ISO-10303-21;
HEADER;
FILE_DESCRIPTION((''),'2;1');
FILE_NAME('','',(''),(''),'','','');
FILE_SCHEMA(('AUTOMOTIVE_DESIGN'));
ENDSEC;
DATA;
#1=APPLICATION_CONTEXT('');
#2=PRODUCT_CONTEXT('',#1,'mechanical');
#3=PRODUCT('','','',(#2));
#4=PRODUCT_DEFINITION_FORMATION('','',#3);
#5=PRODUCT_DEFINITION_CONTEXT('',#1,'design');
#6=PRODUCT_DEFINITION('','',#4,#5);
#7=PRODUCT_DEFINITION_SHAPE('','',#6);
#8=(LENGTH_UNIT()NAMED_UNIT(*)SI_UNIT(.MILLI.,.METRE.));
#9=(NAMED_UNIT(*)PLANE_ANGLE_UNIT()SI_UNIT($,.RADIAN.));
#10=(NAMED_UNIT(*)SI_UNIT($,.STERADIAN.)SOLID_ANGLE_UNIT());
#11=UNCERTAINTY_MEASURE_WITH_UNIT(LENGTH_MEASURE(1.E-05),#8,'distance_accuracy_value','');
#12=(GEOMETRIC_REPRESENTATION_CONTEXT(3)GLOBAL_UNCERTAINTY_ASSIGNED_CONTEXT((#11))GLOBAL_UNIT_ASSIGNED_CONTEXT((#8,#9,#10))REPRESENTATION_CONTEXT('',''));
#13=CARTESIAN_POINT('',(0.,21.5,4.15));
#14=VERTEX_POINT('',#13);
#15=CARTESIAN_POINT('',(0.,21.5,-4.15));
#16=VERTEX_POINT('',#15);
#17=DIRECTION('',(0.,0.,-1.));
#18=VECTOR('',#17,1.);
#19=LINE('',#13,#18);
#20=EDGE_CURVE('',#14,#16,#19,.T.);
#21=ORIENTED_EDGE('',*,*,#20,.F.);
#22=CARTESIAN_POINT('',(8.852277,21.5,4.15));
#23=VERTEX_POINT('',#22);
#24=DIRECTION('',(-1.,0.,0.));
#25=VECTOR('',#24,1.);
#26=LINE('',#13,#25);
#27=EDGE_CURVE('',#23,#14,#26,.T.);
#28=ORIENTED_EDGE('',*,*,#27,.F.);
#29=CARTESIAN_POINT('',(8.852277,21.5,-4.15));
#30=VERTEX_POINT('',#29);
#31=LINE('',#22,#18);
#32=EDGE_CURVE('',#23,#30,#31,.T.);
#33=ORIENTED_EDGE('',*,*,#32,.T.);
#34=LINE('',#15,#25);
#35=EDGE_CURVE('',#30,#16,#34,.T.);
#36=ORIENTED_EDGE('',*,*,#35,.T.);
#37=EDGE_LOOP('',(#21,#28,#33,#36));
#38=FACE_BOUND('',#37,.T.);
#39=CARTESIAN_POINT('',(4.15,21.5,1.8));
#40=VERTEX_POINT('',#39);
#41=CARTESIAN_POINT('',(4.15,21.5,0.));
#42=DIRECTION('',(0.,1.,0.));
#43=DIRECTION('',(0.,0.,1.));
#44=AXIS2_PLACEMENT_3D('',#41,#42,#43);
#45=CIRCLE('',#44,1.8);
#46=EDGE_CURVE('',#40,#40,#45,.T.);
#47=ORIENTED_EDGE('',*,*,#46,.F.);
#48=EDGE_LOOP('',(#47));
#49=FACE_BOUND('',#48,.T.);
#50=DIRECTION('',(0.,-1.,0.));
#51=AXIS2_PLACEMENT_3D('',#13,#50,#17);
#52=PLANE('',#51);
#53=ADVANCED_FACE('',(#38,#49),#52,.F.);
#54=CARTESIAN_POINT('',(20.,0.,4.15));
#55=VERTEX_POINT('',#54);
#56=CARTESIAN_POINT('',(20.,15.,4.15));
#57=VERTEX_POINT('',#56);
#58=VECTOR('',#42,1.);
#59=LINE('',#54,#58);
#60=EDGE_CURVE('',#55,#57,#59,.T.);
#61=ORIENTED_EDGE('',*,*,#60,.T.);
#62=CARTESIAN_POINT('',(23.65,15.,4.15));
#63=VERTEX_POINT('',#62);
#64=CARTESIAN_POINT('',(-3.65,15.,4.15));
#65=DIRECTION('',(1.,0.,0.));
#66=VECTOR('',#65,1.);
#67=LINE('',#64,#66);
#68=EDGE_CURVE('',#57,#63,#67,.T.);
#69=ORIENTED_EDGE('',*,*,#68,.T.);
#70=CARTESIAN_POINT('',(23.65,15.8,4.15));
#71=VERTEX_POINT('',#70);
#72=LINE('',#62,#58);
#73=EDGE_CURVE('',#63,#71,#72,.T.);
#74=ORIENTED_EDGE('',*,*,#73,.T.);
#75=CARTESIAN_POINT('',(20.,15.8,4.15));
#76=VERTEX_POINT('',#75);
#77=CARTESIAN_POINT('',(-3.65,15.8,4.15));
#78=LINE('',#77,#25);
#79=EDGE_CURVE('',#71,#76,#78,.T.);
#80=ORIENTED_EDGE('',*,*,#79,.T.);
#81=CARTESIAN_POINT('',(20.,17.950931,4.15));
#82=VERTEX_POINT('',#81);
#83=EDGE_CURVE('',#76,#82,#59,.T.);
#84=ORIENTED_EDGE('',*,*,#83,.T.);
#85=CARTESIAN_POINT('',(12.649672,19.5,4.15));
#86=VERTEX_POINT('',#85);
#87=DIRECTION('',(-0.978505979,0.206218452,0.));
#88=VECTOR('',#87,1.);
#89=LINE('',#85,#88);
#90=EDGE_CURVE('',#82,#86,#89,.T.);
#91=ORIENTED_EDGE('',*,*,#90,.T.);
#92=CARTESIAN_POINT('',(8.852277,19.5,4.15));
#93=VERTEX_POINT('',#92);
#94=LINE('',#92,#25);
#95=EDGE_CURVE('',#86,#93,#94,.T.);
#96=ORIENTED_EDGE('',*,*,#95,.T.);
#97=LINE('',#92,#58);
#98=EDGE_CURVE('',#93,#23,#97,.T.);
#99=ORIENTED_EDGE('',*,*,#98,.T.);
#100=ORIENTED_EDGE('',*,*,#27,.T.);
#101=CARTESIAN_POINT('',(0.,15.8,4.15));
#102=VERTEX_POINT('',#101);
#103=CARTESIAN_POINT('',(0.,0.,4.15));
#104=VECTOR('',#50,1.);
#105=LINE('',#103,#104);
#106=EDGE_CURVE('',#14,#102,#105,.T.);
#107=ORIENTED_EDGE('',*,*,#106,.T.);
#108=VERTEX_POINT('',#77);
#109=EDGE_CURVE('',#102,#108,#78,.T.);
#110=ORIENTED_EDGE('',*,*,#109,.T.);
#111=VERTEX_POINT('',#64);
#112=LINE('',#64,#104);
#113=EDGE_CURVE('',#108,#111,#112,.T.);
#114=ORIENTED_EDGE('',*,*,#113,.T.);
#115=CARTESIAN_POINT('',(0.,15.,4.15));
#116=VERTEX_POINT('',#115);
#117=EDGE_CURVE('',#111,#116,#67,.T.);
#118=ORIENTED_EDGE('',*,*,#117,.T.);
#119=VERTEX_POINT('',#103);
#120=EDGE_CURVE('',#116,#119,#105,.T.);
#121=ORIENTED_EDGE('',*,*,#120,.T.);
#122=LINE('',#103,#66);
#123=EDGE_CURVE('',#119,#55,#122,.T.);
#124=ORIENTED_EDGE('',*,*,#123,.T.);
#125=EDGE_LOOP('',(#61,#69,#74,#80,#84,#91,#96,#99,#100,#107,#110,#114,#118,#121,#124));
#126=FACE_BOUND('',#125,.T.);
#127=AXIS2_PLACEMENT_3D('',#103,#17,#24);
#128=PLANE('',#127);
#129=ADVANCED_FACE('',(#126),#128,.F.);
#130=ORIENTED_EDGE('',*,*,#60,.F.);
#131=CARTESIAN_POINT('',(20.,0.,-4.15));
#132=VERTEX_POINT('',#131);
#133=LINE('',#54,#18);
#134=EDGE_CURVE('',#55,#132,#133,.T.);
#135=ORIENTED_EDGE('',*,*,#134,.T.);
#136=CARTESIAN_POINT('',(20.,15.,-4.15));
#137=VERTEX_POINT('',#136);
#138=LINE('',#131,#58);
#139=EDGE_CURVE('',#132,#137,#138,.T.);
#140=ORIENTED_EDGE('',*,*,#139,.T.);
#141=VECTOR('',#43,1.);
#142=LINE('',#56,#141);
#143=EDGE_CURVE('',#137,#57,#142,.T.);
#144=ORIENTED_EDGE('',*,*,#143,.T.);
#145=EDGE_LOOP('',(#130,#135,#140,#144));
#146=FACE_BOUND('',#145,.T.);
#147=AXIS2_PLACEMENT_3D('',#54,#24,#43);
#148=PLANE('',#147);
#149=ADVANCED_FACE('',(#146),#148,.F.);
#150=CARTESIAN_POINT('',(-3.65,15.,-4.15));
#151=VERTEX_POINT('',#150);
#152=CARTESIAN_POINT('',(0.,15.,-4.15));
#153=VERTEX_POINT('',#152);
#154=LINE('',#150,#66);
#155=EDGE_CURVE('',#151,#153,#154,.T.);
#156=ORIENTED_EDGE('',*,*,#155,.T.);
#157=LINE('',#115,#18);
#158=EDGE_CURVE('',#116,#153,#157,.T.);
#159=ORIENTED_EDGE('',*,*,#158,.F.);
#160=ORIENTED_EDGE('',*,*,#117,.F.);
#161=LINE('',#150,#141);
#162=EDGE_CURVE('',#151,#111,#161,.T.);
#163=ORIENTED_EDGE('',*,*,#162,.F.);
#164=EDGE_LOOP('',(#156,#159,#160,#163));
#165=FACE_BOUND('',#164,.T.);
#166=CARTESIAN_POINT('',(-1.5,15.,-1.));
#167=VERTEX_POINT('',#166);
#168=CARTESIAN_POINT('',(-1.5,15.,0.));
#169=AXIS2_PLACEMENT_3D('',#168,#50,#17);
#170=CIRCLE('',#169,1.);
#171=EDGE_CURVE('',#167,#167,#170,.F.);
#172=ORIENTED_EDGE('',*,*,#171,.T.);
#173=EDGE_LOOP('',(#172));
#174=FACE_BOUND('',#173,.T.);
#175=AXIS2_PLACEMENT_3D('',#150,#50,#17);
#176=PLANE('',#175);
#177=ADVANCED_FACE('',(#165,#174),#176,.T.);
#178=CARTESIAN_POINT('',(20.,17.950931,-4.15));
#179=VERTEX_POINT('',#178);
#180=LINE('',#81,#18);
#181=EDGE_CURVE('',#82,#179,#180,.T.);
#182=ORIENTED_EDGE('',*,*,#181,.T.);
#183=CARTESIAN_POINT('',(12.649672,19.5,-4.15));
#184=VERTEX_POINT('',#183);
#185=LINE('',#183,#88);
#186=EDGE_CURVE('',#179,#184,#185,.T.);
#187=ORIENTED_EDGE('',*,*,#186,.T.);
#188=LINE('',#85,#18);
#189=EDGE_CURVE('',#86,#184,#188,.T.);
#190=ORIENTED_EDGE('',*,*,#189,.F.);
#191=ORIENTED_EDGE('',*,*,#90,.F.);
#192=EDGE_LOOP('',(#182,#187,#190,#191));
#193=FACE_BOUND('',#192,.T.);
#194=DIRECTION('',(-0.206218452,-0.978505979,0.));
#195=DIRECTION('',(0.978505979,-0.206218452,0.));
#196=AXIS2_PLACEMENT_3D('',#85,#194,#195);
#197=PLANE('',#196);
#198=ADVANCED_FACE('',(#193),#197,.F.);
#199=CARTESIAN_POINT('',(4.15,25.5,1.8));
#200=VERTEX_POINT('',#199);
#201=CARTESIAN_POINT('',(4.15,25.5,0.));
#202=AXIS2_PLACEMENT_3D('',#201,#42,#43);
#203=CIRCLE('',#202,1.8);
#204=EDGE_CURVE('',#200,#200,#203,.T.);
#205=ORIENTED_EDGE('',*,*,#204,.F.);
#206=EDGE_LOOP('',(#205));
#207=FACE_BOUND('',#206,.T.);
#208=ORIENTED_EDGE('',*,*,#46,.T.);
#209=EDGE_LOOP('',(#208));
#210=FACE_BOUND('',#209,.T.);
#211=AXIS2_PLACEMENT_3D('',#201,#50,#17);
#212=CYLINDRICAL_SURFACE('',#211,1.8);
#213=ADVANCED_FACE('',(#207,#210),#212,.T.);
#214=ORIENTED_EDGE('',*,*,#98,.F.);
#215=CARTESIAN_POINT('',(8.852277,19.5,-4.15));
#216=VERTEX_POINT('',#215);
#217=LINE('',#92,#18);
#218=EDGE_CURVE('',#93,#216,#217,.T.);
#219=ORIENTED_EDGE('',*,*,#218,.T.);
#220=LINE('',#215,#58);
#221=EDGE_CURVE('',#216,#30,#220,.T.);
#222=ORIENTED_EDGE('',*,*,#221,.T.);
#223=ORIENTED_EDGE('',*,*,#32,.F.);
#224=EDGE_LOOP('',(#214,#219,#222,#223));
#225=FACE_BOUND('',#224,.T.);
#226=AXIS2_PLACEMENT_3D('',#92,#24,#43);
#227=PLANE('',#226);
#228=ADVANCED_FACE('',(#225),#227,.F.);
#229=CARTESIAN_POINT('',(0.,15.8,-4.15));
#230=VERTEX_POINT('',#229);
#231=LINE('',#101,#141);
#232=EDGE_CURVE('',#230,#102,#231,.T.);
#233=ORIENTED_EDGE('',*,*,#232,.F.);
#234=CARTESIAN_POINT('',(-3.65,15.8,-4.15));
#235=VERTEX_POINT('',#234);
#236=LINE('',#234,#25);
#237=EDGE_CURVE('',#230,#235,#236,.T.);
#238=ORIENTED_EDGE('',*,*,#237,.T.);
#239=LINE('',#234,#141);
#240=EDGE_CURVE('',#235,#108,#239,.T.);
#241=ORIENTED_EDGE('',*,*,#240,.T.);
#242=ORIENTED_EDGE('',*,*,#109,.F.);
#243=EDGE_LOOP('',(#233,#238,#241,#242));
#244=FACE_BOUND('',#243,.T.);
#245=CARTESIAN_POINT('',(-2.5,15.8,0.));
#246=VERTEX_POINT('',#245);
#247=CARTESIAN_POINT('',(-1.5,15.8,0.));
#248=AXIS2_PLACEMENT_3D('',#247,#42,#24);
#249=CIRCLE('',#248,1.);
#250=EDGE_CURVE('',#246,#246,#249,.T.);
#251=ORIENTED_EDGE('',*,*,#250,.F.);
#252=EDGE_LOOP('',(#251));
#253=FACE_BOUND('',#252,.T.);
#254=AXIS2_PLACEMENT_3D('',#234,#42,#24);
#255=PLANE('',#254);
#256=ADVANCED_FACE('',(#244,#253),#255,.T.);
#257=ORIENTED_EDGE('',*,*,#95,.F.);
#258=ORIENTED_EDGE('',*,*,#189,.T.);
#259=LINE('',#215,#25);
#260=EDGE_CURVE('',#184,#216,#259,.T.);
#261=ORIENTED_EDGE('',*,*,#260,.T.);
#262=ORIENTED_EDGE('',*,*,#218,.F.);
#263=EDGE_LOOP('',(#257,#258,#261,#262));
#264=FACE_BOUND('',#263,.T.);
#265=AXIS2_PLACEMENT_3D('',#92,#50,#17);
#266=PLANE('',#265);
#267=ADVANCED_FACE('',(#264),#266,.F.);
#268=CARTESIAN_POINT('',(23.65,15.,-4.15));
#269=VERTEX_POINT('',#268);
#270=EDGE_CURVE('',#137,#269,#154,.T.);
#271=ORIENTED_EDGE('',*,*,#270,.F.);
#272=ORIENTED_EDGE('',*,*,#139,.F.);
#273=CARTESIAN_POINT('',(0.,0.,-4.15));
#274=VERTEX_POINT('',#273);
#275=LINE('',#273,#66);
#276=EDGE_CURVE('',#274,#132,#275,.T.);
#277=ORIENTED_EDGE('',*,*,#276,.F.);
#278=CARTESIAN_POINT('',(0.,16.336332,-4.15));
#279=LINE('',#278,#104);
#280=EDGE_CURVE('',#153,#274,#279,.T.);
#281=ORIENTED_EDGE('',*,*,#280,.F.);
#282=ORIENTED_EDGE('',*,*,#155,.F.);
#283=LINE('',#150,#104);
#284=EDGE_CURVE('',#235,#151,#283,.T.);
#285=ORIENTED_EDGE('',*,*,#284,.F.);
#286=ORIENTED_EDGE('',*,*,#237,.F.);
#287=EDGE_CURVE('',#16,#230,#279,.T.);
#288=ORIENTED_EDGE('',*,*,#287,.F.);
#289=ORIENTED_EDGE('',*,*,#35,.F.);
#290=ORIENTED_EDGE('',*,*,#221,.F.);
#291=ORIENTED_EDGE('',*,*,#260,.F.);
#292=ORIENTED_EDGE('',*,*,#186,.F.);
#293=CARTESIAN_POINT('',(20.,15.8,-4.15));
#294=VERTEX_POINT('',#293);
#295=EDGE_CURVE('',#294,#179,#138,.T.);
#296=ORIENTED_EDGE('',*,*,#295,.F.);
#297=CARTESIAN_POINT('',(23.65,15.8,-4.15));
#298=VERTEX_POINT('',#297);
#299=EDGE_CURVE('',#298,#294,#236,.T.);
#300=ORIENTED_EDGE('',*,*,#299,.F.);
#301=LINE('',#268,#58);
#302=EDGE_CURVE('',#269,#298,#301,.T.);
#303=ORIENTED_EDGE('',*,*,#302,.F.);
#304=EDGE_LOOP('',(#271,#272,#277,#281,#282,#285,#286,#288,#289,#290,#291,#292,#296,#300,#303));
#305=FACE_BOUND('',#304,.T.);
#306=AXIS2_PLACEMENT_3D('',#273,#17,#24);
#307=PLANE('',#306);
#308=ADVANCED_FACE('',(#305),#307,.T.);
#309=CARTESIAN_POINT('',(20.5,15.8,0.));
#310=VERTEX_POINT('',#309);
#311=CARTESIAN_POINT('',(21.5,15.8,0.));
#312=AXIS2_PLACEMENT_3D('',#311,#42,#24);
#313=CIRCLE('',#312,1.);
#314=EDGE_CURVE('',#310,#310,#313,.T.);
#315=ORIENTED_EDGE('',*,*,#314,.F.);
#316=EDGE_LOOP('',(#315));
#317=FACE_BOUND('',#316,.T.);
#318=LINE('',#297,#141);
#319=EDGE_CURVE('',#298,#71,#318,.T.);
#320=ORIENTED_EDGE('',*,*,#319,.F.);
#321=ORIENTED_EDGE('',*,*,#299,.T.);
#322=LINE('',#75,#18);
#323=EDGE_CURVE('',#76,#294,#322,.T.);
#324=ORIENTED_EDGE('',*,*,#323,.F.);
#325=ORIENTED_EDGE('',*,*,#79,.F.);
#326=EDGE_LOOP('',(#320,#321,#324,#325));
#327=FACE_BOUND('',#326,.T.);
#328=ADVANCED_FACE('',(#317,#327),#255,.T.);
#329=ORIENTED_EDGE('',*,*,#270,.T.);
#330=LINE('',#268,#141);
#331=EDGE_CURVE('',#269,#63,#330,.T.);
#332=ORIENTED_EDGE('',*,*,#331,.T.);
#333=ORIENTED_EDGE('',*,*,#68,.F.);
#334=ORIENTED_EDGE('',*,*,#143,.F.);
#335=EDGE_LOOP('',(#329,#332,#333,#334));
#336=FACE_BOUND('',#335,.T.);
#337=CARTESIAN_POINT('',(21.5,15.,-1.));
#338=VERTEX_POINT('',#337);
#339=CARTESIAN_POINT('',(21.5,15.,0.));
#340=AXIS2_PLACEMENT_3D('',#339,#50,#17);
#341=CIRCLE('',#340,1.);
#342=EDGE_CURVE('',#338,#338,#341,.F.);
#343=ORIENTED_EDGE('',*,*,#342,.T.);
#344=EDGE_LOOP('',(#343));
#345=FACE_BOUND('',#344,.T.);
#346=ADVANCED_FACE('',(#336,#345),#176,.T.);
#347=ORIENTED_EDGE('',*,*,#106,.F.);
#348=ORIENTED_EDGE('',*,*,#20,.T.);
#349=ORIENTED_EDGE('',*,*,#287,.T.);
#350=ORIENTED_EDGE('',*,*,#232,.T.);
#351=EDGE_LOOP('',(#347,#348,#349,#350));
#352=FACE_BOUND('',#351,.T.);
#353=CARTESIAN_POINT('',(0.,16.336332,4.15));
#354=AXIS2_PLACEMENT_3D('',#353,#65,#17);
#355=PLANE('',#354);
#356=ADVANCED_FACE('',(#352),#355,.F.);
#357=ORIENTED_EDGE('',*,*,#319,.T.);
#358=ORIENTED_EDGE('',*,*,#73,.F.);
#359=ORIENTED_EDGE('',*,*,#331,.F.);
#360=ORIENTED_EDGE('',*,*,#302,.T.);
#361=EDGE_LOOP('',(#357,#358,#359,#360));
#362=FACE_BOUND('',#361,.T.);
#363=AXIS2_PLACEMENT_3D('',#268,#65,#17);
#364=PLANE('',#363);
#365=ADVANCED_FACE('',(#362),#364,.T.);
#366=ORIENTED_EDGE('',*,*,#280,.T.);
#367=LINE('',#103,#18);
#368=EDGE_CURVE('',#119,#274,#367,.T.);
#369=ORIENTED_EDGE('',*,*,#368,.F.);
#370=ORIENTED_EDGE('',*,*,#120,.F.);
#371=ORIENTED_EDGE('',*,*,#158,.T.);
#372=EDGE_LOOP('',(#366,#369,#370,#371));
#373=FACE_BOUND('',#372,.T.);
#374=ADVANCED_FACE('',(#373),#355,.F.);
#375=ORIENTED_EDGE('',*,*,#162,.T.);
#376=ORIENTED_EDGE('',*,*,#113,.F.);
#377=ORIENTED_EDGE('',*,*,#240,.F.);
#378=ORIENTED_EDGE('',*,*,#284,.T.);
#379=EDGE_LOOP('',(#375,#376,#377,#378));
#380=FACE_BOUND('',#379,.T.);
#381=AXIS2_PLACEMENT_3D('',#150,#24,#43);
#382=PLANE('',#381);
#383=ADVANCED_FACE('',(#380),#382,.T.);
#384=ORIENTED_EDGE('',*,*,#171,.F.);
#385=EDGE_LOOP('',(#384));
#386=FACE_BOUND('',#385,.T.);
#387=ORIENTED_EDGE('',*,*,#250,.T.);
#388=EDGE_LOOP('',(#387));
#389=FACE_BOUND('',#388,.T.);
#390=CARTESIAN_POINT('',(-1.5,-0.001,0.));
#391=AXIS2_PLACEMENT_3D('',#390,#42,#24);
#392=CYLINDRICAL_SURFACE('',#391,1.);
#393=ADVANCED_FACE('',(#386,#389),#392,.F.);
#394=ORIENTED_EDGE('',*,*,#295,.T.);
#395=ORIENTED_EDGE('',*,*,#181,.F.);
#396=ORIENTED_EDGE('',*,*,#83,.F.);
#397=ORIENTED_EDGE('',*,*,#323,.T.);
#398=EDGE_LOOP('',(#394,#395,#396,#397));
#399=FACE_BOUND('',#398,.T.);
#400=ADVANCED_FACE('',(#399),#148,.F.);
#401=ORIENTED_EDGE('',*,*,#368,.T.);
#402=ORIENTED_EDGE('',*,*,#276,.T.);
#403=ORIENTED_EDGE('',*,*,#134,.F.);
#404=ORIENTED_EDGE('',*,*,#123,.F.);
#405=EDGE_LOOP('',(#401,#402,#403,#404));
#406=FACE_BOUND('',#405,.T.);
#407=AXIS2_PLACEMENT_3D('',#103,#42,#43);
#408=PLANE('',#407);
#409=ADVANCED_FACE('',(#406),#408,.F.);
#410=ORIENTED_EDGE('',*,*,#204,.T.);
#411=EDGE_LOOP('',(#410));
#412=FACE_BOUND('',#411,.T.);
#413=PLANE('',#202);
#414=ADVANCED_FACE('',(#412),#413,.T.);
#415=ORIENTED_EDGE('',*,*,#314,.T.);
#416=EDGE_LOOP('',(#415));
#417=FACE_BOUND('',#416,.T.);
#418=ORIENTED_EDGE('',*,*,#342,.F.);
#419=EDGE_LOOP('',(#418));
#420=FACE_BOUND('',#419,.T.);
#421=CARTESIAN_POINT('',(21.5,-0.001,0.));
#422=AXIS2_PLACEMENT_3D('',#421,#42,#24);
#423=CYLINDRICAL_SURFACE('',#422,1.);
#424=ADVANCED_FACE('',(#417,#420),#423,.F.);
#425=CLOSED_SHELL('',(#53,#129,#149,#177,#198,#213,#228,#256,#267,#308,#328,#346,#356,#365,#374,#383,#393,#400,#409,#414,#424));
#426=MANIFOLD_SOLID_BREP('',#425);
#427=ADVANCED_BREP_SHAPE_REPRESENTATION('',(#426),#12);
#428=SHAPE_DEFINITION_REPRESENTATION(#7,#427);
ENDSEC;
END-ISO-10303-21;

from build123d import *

# Parameters (mm, degrees)
EXTRUDE_1_DEPTH     = 4.15
SKETCH_2_W          = 27.3
SKETCH_2_H          = 0.8
EXTRUDE_2_DEPTH     = 8.3
CUT_EXTRUDE_1_REACH = 30.743
SKETCH_3_R          = 1
SKETCH_4_R          = 1.8
EXTRUDE_3_DEPTH     = 4


with BuildPart() as part:
    # 草图1 → 凸台-拉伸1 (new, symmetric)
    with BuildSketch(Plane.XY):
        Polygon((12.649672005, 19.5), (20, 17.950931016), (20, 0), (0, 0), (0, 16.33633198), (0, 21.5), (8.852277233, 21.5), (8.852277233, 19.5), align=None)
    extrude(amount=EXTRUDE_1_DEPTH, both=True)

    # 草图2 → 凸台-拉伸2 (add)
    with BuildSketch(Plane.XY.offset(4.15)):
        with Locations((10, 15.4)):
            Rectangle(SKETCH_2_W, SKETCH_2_H)
    extrude(amount=-EXTRUDE_2_DEPTH)

    # 草图3 → 切除-拉伸1 (cut, up to next)
    with BuildSketch(Plane(origin=(0, 15.8, 0), x_dir=(1, 0, 0), z_dir=(0, 1, 0)), mode=Mode.PRIVATE) as cut_extrude_1_sk1:
        with Locations((-1.5, 0)):
            Circle(SKETCH_3_R)
    cut_extrude_1_tool1 = extrude(cut_extrude_1_sk1.sketch, amount=-CUT_EXTRUDE_1_REACH, mode=Mode.PRIVATE) & part.part
    # 草图3 → 切除-拉伸1 (cut, up to next)
    with BuildSketch(Plane(origin=(0, 15.8, 0), x_dir=(1, 0, 0), z_dir=(0, 1, 0)), mode=Mode.PRIVATE) as cut_extrude_1_sk2:
        with Locations((21.5, 0)):
            Circle(SKETCH_3_R)
    cut_extrude_1_tool2 = extrude(cut_extrude_1_sk2.sketch, amount=-CUT_EXTRUDE_1_REACH, mode=Mode.PRIVATE) & part.part
    add(cut_extrude_1_tool1.solids().sort_by_distance((-1.5, 15.8, 0))[0], mode=Mode.SUBTRACT)
    add(cut_extrude_1_tool2.solids().sort_by_distance((21.5, 15.8, 0))[0], mode=Mode.SUBTRACT)

    # 草图4 → 凸台-拉伸3 (add)
    with BuildSketch(Plane(origin=(0, 21.5, 0), x_dir=(1, 0, 0), z_dir=(0, 1, 0))):
        with Locations((4.15, 0)):
            Circle(SKETCH_4_R)
    extrude(amount=EXTRUDE_3_DEPTH)


solid = part.part
